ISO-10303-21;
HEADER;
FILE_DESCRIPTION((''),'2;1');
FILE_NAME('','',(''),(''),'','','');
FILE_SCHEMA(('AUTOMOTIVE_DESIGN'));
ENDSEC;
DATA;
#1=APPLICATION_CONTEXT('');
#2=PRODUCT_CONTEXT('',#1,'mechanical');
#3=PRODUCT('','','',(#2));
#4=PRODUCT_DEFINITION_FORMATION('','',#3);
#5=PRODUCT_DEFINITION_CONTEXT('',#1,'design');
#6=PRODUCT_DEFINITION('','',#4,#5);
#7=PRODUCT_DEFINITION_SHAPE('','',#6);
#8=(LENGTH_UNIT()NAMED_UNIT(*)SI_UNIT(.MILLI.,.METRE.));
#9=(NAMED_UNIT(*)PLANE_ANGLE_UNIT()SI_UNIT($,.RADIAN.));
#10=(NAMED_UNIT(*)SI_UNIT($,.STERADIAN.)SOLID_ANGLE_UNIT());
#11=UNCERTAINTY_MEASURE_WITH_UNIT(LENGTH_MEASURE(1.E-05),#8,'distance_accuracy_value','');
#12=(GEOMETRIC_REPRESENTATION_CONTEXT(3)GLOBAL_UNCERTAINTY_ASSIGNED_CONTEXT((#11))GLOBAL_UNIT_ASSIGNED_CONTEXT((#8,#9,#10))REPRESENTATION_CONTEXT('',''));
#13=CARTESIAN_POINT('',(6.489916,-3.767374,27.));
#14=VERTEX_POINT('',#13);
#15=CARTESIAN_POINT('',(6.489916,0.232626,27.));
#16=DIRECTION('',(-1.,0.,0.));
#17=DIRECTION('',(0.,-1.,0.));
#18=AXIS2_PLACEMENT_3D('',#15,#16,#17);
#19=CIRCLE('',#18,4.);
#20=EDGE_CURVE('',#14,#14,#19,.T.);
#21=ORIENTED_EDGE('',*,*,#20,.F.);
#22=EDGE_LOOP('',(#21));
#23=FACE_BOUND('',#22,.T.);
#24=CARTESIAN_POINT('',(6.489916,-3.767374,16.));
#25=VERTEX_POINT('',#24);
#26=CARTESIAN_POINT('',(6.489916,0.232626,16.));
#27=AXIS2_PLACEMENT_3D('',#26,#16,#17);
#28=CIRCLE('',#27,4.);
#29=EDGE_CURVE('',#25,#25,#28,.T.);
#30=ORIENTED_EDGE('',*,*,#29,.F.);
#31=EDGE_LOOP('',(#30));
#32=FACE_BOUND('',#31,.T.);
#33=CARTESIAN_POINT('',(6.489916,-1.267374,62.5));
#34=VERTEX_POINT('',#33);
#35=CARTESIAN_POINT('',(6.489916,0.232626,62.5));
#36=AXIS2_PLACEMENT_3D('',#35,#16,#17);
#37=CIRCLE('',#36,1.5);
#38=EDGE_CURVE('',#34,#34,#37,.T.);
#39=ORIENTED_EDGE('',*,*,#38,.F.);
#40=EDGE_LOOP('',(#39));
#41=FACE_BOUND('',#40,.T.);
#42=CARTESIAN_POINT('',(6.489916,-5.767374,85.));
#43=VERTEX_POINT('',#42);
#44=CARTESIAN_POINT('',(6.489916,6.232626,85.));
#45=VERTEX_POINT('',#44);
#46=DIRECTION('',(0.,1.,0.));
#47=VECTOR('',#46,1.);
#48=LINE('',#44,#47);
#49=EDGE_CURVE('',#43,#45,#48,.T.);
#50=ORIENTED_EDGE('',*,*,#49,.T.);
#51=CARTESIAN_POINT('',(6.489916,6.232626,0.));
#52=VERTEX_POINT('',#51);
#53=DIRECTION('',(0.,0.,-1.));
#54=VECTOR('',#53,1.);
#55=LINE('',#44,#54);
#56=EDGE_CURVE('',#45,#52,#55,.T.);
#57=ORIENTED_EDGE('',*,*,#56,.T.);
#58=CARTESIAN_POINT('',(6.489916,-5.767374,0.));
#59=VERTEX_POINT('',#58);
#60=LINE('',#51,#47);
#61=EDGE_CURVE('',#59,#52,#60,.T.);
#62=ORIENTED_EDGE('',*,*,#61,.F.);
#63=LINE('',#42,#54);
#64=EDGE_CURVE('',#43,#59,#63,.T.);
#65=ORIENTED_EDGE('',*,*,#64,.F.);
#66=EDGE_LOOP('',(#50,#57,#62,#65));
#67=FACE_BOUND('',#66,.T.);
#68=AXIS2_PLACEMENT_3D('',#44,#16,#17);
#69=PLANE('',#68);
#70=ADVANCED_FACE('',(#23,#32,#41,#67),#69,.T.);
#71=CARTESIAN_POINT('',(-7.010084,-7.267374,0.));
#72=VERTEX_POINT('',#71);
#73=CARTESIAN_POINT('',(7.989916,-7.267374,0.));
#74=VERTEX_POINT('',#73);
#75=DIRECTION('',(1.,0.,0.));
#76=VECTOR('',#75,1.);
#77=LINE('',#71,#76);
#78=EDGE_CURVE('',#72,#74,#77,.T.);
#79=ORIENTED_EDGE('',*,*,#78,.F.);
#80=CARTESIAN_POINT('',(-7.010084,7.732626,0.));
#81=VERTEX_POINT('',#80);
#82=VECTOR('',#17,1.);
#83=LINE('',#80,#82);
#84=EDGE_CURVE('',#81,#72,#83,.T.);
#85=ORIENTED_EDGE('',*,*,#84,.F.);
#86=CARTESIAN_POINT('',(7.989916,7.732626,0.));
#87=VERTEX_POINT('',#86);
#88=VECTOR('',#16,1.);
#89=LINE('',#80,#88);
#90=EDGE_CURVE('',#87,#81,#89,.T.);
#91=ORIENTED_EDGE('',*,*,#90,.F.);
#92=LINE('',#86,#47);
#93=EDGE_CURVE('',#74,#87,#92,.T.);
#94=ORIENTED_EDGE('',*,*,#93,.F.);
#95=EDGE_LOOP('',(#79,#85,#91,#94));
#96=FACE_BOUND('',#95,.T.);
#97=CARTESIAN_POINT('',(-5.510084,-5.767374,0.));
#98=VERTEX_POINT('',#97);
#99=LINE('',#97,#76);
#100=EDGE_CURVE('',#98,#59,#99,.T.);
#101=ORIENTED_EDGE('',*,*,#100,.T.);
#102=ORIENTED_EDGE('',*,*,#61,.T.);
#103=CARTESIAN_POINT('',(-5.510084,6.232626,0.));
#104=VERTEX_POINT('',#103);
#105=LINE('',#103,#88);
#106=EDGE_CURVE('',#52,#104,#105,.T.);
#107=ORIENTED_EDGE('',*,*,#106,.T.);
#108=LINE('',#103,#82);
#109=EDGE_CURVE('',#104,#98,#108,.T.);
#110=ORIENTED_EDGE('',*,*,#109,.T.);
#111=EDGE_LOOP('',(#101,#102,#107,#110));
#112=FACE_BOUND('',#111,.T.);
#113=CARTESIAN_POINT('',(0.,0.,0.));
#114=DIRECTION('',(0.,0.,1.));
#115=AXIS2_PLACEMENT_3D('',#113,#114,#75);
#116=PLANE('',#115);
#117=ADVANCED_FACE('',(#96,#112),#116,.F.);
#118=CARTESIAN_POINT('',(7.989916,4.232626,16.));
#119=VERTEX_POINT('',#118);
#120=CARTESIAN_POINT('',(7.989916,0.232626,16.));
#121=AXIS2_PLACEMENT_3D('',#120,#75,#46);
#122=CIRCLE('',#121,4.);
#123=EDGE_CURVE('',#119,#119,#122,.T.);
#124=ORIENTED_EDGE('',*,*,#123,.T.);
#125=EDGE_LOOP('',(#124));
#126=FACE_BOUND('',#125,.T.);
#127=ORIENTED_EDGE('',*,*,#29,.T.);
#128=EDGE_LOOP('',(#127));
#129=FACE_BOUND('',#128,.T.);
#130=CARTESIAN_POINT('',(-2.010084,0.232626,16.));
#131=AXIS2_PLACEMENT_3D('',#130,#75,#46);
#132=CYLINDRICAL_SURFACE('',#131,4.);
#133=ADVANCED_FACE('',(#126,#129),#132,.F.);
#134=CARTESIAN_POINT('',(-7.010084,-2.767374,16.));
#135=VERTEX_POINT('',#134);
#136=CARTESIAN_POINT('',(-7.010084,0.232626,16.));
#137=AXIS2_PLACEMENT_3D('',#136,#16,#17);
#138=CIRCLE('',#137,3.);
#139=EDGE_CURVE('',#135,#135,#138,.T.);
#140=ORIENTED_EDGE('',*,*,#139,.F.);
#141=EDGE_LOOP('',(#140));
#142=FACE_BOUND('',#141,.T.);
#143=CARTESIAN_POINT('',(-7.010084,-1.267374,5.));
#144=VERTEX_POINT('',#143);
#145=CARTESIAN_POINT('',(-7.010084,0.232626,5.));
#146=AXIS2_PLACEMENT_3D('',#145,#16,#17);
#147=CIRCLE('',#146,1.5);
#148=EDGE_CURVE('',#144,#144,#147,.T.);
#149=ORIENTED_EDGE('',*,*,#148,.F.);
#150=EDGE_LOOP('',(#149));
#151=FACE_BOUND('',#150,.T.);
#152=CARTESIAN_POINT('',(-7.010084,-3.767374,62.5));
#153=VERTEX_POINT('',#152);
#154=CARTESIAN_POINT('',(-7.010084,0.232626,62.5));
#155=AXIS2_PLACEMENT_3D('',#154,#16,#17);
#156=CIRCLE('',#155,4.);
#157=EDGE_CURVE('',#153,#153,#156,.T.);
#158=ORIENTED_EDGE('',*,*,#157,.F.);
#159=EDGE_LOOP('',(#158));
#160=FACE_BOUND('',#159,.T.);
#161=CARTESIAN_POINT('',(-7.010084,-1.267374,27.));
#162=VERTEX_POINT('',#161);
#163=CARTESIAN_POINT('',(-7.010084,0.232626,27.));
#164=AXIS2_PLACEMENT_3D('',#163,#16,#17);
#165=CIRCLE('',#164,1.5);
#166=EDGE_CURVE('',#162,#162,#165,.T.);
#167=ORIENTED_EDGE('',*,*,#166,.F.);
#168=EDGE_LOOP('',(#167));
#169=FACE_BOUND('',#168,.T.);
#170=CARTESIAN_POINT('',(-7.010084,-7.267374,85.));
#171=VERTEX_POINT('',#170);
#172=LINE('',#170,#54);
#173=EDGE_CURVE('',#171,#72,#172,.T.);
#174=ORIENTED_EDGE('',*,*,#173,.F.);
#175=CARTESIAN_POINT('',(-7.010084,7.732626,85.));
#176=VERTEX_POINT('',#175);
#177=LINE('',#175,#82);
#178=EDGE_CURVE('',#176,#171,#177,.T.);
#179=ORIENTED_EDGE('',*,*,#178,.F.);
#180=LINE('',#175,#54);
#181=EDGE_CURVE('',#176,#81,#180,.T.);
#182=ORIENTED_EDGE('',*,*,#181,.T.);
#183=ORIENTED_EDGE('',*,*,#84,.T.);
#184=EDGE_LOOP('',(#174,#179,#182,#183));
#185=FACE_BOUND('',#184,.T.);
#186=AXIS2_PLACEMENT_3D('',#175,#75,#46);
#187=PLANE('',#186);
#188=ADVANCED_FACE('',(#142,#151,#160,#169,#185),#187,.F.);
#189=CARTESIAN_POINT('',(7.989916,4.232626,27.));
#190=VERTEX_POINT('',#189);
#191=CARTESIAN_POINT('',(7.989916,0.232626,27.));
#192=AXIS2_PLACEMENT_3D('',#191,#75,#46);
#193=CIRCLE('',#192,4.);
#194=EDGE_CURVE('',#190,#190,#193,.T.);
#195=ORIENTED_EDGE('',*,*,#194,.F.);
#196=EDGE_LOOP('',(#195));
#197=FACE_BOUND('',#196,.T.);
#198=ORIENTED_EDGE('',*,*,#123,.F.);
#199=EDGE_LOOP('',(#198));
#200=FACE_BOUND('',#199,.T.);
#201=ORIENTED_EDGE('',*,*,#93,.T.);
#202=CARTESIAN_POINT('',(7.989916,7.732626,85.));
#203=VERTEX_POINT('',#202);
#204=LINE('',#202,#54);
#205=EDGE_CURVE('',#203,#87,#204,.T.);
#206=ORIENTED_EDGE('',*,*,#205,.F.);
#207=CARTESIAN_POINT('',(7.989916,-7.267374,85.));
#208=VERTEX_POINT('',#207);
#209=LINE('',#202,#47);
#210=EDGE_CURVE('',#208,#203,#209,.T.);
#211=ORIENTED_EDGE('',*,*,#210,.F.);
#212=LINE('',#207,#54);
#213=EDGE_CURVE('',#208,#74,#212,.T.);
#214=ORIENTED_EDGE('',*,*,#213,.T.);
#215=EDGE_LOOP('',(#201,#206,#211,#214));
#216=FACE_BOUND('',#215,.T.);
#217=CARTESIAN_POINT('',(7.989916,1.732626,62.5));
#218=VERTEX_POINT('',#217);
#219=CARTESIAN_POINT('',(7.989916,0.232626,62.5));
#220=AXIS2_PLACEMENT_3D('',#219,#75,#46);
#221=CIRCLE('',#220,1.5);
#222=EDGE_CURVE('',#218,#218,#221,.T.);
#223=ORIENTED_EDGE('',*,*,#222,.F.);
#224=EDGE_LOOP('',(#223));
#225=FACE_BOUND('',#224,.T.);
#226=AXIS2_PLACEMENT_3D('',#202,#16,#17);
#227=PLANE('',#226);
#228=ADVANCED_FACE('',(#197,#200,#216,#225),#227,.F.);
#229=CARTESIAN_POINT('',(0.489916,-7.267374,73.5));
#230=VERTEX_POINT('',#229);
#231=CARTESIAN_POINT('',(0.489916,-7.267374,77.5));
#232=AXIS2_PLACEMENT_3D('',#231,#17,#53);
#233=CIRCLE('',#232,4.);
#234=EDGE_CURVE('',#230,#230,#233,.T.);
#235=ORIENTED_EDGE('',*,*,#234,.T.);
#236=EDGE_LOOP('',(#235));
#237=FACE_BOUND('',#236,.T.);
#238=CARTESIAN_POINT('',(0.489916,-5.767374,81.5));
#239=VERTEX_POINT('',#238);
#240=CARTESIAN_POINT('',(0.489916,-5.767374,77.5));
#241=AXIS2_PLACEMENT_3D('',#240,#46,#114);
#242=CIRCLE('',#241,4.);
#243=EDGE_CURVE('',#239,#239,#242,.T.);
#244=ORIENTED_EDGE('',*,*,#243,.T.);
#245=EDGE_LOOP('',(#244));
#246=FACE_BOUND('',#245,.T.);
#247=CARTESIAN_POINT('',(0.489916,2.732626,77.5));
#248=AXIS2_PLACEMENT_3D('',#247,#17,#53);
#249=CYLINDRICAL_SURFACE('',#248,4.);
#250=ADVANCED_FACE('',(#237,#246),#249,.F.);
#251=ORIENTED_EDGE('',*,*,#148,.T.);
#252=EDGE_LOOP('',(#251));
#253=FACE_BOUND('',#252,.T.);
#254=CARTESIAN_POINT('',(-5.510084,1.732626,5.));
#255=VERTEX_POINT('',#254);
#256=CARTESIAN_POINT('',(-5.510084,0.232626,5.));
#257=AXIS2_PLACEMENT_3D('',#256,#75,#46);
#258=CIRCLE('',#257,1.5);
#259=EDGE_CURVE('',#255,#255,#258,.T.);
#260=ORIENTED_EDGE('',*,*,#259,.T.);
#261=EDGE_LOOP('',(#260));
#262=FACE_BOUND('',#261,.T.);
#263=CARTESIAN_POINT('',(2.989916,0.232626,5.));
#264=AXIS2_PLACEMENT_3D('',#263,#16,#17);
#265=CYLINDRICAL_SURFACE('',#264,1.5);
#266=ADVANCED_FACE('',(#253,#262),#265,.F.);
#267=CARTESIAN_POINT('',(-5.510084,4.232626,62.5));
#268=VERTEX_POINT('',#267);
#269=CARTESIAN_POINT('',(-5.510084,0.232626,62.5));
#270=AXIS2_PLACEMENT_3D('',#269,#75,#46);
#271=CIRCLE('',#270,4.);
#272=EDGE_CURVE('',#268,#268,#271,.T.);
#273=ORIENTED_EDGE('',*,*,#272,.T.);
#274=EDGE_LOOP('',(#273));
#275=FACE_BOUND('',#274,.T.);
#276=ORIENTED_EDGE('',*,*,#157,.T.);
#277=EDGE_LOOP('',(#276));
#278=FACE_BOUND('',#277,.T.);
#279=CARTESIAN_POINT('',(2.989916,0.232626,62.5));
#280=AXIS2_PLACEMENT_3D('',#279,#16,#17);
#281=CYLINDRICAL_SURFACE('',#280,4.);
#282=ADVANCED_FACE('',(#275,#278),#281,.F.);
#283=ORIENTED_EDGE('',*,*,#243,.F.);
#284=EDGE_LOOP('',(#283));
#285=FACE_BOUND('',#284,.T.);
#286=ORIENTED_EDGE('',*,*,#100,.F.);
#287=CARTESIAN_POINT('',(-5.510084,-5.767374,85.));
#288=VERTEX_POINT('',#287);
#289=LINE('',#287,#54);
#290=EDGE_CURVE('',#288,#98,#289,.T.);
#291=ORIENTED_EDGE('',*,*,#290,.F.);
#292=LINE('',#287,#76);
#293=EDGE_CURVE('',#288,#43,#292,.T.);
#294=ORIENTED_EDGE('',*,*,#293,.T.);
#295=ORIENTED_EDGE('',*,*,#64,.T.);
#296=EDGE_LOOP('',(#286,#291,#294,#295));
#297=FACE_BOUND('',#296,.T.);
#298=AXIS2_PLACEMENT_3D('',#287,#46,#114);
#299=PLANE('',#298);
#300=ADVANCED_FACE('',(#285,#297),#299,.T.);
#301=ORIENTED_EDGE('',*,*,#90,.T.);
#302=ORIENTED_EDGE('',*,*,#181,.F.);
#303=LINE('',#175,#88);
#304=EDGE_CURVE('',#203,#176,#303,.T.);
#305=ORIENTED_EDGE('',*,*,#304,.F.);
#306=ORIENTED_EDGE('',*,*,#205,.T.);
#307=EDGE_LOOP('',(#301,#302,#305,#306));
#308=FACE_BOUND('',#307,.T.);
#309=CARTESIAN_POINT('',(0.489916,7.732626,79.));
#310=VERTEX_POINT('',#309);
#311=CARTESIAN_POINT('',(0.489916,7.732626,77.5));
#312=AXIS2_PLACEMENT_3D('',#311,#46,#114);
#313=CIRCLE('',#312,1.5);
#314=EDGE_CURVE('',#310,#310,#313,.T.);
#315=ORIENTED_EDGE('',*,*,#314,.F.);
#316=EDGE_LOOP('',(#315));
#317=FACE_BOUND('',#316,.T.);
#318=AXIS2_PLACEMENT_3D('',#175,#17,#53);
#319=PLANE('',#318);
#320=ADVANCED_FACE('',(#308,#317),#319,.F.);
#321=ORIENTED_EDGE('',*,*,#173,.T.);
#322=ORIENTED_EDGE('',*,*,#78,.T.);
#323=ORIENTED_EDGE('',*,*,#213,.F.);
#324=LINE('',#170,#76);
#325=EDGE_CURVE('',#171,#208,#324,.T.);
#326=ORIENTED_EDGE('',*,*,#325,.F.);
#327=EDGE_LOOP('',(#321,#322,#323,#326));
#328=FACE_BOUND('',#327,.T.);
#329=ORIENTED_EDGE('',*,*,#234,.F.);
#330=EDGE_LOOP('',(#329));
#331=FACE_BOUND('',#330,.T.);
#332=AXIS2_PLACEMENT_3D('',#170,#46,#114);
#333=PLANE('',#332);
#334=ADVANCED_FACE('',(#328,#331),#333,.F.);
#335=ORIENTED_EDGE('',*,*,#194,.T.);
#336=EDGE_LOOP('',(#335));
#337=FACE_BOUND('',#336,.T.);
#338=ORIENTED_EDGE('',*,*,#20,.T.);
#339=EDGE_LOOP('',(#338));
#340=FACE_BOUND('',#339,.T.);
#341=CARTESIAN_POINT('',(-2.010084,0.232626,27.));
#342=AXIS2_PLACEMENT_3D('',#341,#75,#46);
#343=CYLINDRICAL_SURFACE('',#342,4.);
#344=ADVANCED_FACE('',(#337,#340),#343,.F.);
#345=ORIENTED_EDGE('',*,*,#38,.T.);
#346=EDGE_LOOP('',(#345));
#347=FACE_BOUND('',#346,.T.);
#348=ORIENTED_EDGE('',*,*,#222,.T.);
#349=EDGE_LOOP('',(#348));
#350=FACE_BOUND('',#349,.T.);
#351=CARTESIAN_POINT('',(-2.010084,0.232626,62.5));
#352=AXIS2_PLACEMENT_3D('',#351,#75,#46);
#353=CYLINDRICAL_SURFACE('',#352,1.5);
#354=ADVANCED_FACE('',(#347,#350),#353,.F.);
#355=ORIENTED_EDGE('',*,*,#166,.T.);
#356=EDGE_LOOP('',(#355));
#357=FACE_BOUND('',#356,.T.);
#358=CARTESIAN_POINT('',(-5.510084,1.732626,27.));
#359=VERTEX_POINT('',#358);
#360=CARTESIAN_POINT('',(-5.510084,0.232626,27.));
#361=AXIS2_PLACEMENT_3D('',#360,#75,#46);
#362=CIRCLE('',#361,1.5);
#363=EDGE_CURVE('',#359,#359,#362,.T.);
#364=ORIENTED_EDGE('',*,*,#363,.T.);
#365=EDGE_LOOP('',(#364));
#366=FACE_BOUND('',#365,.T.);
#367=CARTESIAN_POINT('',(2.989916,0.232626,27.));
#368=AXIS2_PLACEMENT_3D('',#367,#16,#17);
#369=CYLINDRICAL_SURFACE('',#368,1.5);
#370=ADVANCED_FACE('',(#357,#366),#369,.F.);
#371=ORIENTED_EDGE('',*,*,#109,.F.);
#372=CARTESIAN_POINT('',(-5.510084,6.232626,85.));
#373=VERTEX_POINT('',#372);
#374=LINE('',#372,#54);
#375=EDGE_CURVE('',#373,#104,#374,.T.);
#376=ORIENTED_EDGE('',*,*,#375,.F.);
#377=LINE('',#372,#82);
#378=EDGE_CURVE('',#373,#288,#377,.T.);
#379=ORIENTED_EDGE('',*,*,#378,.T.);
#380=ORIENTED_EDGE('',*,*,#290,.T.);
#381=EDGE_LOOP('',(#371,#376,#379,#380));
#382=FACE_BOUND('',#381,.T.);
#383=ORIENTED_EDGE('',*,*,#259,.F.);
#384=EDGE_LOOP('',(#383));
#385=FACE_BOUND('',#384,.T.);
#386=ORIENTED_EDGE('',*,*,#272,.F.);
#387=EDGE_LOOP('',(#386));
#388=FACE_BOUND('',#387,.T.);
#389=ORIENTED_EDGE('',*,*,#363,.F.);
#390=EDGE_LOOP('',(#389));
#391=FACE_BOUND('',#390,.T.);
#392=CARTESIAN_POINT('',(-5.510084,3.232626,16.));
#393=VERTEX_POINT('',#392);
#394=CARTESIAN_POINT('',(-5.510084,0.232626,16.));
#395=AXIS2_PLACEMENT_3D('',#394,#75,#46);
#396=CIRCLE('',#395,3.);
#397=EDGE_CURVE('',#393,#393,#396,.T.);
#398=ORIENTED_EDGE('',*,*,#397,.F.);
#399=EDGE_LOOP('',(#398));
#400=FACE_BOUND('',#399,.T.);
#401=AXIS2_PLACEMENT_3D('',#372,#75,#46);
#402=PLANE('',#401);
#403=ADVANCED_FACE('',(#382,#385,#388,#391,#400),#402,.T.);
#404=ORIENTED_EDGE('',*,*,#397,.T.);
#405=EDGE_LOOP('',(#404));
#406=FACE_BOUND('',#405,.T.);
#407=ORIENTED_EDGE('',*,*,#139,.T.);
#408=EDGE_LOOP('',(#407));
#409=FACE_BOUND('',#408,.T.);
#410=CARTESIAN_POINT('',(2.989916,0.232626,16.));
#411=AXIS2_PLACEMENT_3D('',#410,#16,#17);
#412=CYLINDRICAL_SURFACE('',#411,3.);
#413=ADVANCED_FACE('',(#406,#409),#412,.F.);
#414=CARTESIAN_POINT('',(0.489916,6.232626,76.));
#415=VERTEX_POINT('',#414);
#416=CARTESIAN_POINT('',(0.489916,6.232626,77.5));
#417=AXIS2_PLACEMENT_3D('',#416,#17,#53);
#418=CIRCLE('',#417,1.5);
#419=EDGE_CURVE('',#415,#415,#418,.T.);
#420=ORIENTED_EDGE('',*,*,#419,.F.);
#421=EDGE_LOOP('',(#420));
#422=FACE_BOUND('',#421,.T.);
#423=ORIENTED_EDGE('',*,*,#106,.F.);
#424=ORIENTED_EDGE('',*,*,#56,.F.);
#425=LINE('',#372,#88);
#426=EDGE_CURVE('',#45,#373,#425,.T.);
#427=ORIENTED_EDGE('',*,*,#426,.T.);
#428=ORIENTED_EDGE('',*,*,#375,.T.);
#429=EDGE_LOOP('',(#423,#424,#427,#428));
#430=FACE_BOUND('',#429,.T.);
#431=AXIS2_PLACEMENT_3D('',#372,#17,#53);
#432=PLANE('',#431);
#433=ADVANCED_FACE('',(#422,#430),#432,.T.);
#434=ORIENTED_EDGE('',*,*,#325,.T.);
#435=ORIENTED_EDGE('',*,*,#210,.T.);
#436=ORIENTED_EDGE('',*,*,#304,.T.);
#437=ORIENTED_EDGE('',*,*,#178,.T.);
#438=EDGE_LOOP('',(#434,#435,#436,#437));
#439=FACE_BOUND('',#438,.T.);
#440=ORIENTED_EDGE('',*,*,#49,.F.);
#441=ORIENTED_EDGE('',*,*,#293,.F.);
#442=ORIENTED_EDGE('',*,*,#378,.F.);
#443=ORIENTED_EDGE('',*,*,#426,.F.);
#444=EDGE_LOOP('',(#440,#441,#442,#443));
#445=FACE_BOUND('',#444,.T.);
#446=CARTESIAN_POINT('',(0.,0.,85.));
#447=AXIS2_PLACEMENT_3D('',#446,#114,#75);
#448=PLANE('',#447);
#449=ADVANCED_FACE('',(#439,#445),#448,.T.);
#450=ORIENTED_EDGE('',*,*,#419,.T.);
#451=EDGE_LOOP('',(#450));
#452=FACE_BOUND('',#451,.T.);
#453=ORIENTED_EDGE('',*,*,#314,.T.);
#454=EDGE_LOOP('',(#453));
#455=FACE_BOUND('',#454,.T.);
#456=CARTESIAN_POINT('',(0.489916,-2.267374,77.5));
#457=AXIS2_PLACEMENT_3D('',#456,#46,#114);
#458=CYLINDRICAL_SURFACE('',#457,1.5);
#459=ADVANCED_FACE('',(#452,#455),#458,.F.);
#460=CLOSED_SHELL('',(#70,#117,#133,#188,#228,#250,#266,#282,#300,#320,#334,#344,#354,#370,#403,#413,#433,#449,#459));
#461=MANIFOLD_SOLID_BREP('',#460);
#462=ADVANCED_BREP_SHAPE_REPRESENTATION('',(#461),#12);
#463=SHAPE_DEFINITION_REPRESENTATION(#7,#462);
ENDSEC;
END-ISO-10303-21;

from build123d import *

# Parameters (mm, degrees)
SKETCH_1_W          = 15
SKETCH_1_H          = 15
SKETCH_1_W_2        = 12
SKETCH_1_H_2        = 12
EXTRUDE_2_DEPTH     = 85
SKETCH_3_R          = 1.5
CUT_EXTRUDE_2_DEPTH = 10
SKETCH_4_R          = 1.5
CUT_EXTRUDE_3_DEPTH = 10
SKETCH_5_R          = 4
CUT_EXTRUDE_4_DEPTH = 10
SKETCH_6_R          = 4
CUT_EXTRUDE_5_DEPTH = 10
SKETCH_7_R          = 3
CUT_EXTRUDE_6_DEPTH = 10
SKETCH_8_R          = 1.5
CUT_EXTRUDE_7_DEPTH = 10
SKETCH_9_R          = 1.5
CUT_EXTRUDE_8_DEPTH = 10
SKETCH_10_R         = 4
CUT_EXTRUDE_9_DEPTH = 10


with BuildPart() as part:
    # ｽｹｯﾁ1 → ﾎﾞｽ - 押し出し2 (new body)
    with BuildSketch(Plane.XY):
        with Locations((0.489915859, 0.232626086)):
            Rectangle(SKETCH_1_W, SKETCH_1_H)
        with Locations((0.489915859, 0.232626086)):
            Rectangle(SKETCH_1_W_2, SKETCH_1_H_2, mode=Mode.SUBTRACT)
    extrude(amount=EXTRUDE_2_DEPTH)

    # ｽｹｯﾁ3 → ｶｯﾄ - 押し出し2 (cut)
    with BuildSketch(Plane(origin=(0, 7.732626086, 0), x_dir=(1, 0, 0), z_dir=(0, 1, 0))):
        with Locations((0.489915859, -77.5)):
            Circle(SKETCH_3_R)
    extrude(amount=-CUT_EXTRUDE_2_DEPTH, mode=Mode.SUBTRACT)

    # ｽｹｯﾁ4 → ｶｯﾄ - 押し出し3 (cut)
    with BuildSketch(Plane(origin=(7.989915859, 0, 0), x_dir=(0, 0, -1), z_dir=(1, 0, 0))):
        with Locations((-62.5, 0.232626086)):
            Circle(SKETCH_4_R)
    extrude(amount=-CUT_EXTRUDE_3_DEPTH, mode=Mode.SUBTRACT)

    # ｽｹｯﾁ5 → ｶｯﾄ - 押し出し4 (cut)
    with BuildSketch(Plane.XZ.offset(7.267373914)):
        with Locations((0.489915859, 77.5)):
            Circle(SKETCH_5_R)
    extrude(amount=-CUT_EXTRUDE_4_DEPTH, mode=Mode.SUBTRACT)

    # ｽｹｯﾁ6 → ｶｯﾄ - 押し出し5 (cut)
    with BuildSketch(Plane.ZY.offset(7.010084141)):
        with Locations((62.5, 0.232626086)):
            Circle(SKETCH_6_R)
    extrude(amount=-CUT_EXTRUDE_5_DEPTH, mode=Mode.SUBTRACT)

    # ｽｹｯﾁ7 → ｶｯﾄ - 押し出し6 (cut)
    with BuildSketch(Plane.ZY.offset(7.010084141)):
        with Locations((16, 0.232626086)):
            Circle(SKETCH_7_R)
    extrude(amount=-CUT_EXTRUDE_6_DEPTH, mode=Mode.SUBTRACT)

    # ｽｹｯﾁ8 → ｶｯﾄ - 押し出し7 (cut)
    with BuildSketch(Plane.ZY.offset(7.010084141)):
        with Locations((5, 0.232626086)):
            Circle(SKETCH_8_R)
    extrude(amount=-CUT_EXTRUDE_7_DEPTH, mode=Mode.SUBTRACT)

    # ｽｹｯﾁ9 → ｶｯﾄ - 押し出し8 (cut)
    with BuildSketch(Plane.ZY.offset(7.010084141)):
        with Locations((27, 0.232626086)):
            Circle(SKETCH_9_R)
    extrude(amount=-CUT_EXTRUDE_8_DEPTH, mode=Mode.SUBTRACT)

    # ｽｹｯﾁ10 → ｶｯﾄ - 押し出し9 (cut)
    with BuildSketch(Plane(origin=(7.989915859, 0, 0), x_dir=(0, 0, -1), z_dir=(1, 0, 0))):
        with Locations((-16, 0.232626086)):
            Circle(SKETCH_10_R)
        with Locations((-27, 0.232626086)):
            Circle(SKETCH_10_R)
    extrude(amount=-CUT_EXTRUDE_9_DEPTH, mode=Mode.SUBTRACT)


solid = part.part
